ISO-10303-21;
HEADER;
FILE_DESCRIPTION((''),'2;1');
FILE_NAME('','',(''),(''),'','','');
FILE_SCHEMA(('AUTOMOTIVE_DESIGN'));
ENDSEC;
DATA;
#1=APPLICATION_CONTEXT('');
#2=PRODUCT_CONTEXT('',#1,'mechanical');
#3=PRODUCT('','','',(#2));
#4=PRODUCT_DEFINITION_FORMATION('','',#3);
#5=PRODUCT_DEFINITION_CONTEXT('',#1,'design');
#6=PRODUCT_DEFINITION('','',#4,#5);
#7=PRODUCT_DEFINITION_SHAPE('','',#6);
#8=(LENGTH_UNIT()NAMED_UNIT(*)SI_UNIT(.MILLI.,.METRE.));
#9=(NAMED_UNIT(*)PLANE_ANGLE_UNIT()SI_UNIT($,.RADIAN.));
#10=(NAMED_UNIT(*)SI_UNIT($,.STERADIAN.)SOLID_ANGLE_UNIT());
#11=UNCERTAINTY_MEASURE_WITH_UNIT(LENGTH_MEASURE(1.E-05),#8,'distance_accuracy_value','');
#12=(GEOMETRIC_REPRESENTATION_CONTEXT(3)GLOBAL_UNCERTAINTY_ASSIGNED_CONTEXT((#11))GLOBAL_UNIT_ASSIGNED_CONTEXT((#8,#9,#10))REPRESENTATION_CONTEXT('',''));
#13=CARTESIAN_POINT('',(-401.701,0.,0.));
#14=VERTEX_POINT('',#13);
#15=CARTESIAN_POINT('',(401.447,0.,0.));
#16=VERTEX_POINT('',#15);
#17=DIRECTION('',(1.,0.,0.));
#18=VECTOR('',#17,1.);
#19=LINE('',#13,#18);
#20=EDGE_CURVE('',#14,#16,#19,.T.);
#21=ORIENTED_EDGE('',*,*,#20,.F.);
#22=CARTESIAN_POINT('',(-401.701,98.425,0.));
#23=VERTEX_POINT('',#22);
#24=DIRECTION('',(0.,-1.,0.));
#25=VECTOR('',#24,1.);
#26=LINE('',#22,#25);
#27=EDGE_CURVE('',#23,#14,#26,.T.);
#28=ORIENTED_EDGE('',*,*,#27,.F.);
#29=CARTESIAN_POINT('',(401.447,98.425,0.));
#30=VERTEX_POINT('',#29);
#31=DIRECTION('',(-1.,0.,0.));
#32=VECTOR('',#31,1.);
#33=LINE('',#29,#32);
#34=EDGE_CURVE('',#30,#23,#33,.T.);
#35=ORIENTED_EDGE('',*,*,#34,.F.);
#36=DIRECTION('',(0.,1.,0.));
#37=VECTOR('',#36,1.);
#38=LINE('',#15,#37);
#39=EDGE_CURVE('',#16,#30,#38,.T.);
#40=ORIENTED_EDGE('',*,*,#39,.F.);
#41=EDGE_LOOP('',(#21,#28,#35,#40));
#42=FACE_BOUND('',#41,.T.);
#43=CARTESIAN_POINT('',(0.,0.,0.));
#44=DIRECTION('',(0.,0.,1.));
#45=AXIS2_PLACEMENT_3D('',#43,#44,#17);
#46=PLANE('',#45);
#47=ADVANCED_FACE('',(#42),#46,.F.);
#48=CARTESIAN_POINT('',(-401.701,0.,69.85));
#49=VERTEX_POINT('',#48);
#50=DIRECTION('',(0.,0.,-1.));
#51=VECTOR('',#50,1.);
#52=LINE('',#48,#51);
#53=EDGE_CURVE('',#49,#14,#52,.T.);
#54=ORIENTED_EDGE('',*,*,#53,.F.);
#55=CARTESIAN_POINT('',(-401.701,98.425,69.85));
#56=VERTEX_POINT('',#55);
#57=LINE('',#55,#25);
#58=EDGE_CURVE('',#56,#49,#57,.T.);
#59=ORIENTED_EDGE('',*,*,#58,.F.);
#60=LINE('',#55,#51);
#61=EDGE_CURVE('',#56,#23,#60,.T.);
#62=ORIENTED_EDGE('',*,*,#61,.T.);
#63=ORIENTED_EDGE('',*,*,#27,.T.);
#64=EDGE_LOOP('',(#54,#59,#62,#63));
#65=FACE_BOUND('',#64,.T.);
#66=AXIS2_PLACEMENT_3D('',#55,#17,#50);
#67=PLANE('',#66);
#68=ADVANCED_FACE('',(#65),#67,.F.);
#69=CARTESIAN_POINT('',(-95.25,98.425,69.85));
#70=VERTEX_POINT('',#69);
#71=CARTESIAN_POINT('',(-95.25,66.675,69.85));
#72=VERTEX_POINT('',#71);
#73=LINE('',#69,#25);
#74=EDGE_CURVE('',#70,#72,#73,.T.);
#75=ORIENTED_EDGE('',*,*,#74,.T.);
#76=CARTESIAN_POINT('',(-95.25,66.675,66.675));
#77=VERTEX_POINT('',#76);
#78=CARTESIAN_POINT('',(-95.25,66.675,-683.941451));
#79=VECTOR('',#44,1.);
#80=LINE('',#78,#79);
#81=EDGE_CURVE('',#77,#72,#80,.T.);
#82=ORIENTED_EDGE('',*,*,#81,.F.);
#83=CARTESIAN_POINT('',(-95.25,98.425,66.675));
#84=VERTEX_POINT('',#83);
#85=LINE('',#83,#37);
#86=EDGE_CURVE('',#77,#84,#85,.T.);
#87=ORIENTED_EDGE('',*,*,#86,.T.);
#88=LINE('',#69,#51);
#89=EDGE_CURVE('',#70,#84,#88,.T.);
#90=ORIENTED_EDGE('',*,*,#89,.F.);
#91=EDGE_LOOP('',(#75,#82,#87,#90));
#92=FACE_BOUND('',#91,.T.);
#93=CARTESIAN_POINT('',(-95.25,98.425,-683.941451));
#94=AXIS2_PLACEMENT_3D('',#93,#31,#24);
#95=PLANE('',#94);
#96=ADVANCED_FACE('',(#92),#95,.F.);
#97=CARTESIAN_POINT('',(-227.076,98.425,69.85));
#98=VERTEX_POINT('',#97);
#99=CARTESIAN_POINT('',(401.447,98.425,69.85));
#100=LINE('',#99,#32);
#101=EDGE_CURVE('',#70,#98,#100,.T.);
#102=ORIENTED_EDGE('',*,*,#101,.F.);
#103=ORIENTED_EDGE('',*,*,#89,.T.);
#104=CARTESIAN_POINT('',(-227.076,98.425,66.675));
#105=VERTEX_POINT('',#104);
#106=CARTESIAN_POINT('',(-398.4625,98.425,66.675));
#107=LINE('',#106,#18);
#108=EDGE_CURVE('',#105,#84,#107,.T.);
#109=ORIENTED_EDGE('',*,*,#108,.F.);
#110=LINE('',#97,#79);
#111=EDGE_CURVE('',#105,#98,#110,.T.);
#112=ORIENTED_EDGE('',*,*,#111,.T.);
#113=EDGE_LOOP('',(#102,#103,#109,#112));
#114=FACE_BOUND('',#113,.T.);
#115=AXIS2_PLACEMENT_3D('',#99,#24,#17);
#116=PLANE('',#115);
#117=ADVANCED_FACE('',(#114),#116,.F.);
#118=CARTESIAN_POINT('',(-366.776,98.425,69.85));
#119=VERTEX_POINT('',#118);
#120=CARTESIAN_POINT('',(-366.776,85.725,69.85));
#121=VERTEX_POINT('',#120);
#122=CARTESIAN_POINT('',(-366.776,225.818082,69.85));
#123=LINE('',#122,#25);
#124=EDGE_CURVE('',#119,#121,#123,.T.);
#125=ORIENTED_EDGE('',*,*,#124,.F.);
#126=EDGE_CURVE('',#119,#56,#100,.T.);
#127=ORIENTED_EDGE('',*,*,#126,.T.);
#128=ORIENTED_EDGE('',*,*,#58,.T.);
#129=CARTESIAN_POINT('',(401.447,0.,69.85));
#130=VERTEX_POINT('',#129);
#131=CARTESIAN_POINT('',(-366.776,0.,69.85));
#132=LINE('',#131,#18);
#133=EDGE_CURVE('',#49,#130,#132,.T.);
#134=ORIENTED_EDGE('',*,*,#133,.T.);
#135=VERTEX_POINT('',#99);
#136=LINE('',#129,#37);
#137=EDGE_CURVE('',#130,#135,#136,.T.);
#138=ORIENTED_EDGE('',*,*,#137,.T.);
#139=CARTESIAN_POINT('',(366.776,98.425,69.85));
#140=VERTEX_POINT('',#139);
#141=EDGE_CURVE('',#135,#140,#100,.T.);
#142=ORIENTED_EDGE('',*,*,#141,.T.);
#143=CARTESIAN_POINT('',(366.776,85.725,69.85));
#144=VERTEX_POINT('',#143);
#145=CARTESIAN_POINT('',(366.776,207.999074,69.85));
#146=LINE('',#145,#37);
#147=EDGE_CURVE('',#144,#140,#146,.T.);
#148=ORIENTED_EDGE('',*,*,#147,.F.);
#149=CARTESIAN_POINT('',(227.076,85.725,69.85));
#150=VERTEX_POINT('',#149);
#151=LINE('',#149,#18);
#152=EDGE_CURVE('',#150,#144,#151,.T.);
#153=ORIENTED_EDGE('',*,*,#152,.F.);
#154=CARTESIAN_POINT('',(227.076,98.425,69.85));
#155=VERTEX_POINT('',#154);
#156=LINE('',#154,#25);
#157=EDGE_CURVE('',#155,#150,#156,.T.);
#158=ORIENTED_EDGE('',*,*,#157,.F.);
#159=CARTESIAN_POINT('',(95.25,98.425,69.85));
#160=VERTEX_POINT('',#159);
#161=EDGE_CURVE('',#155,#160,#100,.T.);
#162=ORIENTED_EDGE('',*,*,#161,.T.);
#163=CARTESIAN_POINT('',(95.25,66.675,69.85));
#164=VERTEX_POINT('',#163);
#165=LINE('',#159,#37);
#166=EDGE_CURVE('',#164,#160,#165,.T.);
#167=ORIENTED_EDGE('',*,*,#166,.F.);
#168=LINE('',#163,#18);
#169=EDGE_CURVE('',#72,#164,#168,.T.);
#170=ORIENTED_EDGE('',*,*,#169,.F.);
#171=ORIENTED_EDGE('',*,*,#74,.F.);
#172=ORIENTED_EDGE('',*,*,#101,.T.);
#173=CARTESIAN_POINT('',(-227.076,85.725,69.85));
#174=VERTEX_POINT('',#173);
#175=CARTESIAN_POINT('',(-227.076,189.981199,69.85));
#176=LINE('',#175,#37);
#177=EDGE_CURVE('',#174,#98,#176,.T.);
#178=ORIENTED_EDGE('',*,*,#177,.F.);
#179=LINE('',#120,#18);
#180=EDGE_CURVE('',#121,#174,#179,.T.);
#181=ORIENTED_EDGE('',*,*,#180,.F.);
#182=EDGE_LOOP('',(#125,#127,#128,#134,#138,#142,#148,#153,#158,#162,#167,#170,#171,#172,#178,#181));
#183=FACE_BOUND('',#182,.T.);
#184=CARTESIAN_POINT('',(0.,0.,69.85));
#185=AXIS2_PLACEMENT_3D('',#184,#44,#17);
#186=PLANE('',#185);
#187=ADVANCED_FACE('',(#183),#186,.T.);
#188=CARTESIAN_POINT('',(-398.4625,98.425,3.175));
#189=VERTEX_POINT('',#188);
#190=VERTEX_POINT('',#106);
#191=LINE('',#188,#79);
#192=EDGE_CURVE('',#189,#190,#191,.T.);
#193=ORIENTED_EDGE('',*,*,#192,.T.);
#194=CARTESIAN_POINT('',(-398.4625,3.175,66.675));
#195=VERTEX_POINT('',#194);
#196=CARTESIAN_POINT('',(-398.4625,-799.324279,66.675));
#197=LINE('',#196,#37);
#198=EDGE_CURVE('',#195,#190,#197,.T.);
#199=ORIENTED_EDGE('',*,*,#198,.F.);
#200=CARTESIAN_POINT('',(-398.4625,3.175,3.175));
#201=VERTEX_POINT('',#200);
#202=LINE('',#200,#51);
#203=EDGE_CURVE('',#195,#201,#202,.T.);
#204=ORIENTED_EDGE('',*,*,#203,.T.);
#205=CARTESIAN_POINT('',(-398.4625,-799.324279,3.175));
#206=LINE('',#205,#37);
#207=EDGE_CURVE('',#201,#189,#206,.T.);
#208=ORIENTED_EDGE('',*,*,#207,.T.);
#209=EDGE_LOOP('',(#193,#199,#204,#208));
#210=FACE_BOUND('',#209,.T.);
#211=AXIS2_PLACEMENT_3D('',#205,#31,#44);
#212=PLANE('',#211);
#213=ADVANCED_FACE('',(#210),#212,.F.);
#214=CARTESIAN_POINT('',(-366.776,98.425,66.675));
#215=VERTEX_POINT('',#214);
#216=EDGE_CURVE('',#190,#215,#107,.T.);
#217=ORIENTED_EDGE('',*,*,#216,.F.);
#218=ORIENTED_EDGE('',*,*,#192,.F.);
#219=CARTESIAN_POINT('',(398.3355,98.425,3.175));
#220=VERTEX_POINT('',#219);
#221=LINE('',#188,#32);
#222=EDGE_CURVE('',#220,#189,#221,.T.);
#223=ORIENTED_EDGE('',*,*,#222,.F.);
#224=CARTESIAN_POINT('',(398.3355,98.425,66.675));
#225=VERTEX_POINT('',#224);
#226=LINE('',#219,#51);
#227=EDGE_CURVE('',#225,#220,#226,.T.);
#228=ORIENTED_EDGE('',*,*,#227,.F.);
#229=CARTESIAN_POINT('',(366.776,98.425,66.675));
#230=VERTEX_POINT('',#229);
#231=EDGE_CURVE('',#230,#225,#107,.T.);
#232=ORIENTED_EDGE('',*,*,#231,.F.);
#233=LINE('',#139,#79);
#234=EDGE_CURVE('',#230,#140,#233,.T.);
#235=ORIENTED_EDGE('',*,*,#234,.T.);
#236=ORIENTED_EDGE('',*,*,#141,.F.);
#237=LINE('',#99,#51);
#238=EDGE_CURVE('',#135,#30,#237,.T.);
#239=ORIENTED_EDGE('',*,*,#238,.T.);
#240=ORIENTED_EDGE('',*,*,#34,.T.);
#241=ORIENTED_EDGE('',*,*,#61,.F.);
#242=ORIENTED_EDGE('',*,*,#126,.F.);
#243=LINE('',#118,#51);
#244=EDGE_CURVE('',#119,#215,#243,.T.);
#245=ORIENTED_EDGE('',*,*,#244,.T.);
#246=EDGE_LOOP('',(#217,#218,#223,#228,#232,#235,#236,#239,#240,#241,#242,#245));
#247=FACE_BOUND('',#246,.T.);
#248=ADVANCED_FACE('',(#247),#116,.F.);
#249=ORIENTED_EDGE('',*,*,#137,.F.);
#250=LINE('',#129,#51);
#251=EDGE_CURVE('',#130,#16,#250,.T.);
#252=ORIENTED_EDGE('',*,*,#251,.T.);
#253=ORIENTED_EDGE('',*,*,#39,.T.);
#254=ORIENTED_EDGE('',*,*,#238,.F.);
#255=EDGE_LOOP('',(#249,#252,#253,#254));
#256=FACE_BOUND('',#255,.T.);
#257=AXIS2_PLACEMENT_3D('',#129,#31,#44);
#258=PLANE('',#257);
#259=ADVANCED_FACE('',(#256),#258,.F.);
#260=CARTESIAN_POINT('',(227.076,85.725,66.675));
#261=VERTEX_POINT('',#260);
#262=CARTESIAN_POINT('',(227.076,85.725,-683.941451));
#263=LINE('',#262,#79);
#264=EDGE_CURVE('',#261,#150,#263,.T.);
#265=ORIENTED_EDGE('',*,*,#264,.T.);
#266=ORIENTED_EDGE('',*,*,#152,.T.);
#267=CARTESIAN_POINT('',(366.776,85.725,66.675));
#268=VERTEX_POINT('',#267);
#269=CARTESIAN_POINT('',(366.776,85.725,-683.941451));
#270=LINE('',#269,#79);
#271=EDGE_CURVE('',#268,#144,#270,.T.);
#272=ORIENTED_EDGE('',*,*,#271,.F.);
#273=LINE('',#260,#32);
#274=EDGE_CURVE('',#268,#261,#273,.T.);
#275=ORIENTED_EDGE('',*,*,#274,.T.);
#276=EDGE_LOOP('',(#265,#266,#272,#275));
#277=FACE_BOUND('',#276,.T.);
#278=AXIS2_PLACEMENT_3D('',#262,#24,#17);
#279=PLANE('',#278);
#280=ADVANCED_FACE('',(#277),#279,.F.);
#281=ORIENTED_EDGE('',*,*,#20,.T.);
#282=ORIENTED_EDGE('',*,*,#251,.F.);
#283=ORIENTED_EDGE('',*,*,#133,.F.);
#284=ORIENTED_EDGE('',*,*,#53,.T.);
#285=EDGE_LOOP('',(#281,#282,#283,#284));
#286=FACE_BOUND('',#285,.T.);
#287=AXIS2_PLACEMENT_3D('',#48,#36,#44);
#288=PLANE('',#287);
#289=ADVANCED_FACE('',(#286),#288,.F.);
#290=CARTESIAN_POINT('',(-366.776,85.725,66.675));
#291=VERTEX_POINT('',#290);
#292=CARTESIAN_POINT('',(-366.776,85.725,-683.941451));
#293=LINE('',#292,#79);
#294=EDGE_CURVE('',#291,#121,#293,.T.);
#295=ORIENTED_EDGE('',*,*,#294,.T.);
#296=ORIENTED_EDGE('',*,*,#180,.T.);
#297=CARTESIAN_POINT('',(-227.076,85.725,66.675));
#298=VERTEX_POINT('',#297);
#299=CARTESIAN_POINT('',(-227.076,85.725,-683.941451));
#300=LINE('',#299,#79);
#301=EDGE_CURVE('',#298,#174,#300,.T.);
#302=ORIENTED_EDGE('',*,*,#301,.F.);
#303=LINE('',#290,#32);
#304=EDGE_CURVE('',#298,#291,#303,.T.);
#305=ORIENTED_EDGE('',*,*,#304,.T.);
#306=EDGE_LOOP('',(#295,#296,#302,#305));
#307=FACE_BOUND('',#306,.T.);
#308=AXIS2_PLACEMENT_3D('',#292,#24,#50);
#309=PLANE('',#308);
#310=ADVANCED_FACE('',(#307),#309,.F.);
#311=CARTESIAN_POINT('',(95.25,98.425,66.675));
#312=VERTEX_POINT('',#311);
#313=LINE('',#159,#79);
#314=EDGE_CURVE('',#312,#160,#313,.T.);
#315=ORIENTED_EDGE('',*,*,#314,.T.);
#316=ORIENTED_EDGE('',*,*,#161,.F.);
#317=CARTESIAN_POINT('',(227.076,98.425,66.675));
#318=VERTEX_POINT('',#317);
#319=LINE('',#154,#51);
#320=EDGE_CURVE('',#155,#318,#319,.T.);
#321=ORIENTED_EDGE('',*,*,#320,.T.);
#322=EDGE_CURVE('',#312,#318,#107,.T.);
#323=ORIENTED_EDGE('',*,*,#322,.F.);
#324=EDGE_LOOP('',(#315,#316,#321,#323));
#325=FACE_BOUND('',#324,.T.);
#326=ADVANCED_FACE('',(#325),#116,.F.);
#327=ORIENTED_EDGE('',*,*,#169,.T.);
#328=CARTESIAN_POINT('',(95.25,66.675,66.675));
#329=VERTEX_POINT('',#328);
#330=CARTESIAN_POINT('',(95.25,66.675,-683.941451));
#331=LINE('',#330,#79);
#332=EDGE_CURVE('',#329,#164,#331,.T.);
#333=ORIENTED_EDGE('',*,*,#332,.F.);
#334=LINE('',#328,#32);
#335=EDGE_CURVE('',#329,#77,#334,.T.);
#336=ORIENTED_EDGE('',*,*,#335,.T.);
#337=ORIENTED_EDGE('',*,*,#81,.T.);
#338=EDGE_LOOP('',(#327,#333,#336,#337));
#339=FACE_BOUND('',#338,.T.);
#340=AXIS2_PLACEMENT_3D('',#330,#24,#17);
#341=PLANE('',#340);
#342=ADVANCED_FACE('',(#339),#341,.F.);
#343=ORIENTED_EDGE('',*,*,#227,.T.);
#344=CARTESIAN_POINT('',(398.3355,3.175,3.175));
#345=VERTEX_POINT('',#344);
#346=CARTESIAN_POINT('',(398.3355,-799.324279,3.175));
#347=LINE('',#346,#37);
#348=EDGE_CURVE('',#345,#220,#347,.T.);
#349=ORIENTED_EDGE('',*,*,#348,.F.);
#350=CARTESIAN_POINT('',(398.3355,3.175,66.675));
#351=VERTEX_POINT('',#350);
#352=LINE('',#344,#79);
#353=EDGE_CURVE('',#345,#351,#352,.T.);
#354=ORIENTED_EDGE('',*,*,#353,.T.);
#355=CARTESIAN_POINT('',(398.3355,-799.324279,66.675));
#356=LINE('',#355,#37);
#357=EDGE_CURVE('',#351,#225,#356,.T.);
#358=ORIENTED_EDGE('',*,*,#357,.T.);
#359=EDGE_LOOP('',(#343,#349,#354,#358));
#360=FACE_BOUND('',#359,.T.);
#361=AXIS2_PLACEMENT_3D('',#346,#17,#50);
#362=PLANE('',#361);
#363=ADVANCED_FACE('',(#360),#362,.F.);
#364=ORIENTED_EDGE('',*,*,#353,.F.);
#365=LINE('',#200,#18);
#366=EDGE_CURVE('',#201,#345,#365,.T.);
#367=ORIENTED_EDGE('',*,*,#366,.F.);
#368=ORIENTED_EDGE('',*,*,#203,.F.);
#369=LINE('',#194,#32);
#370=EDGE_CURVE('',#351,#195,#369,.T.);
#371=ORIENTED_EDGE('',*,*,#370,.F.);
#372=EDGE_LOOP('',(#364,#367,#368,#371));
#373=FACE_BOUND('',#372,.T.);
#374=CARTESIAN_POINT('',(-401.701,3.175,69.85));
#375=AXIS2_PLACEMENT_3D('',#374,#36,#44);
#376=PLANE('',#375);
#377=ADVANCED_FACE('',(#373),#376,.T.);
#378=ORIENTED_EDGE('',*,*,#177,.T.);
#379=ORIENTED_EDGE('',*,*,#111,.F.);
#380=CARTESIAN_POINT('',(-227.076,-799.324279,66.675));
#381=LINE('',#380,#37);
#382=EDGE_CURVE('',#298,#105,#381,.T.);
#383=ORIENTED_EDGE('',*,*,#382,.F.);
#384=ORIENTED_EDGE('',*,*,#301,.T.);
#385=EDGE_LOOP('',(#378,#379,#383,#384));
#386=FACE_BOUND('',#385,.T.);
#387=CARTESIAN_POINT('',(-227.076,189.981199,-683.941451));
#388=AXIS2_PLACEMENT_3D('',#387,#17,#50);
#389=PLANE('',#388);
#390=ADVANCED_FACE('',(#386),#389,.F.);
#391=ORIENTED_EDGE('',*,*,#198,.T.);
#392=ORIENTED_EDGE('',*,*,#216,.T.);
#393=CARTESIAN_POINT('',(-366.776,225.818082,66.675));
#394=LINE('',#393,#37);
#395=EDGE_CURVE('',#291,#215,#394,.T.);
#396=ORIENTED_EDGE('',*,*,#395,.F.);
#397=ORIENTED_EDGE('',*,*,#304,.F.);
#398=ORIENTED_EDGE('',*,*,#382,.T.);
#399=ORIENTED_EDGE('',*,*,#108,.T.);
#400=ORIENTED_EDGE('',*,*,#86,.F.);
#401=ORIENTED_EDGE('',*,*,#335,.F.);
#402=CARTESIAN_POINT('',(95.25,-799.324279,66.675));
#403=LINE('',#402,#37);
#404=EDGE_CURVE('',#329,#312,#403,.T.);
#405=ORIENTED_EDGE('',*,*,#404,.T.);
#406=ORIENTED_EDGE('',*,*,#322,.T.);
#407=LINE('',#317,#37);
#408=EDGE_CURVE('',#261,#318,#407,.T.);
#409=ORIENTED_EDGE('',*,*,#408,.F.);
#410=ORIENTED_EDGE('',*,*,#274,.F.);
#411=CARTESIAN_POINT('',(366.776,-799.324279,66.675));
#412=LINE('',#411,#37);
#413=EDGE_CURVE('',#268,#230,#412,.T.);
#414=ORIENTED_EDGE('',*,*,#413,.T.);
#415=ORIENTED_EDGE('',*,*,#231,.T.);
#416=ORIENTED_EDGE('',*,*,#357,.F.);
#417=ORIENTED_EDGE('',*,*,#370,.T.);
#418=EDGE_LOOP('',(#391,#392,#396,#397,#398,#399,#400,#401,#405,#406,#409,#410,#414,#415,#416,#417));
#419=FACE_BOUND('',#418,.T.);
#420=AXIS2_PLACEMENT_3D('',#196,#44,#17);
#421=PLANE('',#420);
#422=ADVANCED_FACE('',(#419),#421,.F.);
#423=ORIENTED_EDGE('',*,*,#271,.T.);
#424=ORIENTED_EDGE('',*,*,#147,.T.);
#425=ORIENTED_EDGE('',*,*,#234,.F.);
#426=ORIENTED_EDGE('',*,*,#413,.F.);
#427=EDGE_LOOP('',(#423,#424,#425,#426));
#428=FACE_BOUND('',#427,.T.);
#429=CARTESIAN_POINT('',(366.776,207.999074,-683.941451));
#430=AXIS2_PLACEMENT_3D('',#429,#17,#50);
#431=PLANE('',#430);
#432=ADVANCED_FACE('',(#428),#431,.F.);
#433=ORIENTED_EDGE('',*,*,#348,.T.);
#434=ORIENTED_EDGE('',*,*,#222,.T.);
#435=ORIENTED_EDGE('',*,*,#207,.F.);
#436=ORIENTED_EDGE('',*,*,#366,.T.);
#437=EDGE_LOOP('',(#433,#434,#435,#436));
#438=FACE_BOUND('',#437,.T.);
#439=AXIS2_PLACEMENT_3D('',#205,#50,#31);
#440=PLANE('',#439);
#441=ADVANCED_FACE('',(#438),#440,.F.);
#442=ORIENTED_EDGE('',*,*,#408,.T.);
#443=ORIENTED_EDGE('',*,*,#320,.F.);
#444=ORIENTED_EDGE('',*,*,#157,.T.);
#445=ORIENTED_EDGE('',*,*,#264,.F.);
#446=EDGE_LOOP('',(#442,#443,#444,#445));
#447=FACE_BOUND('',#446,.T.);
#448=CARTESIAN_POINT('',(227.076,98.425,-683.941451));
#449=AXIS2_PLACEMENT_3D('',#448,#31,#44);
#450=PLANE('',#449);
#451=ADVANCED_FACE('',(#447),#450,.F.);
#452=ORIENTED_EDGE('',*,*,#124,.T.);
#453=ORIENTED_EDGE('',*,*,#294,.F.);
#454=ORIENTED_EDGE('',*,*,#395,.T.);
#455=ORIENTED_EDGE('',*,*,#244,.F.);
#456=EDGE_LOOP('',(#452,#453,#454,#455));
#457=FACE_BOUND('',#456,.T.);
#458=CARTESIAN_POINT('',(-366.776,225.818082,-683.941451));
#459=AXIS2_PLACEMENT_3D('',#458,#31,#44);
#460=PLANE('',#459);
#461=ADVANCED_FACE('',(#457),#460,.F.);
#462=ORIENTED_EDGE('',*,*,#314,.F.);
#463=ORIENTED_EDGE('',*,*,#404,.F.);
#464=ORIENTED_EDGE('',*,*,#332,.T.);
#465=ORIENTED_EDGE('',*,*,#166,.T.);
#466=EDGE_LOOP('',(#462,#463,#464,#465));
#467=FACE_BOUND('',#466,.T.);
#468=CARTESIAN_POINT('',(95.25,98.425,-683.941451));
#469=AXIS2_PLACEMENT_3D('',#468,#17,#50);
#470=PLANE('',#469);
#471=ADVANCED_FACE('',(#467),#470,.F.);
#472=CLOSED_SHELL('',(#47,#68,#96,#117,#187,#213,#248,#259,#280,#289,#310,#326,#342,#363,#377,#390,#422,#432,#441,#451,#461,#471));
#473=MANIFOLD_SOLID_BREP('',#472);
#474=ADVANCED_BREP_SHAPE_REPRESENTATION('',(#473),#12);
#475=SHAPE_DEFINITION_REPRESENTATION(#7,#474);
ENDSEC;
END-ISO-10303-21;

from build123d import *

# Parameters (mm, degrees)
BOSS_EXTRUDE1_DEPTH = 69.85
SKETCH3_W           = 796.798
SKETCH3_H           = 63.5
CUT_EXTRUDE1_DEPTH  = 95.25
CUT_EXTRUDE3_DEPTH  = 3.175


with BuildPart() as part:
    # Sketch2 → Boss-Extrude1 (new body)
    with BuildSketch(Plane.XY):
        Polygon((90.424, 0), (357.124, 0), (401.447, 0), (401.447, 98.425), (-401.701, 98.425), (-401.701, 0), (-366.776, 0), (-227.076, 0), (-100.076, 0), align=None)
    extrude(amount=BOSS_EXTRUDE1_DEPTH)

    # Sketch3 → Cut-Extrude1 (cut)
    with BuildSketch(Plane(origin=(0, 98.425, 0), x_dir=(1, 0, 0), z_dir=(0, 1, 0))):
        with Locations((-0.0635, -34.925)):
            Rectangle(SKETCH3_W, SKETCH3_H)
    extrude(amount=-CUT_EXTRUDE1_DEPTH, mode=Mode.SUBTRACT)

    # Sketch4 → Cut-Extrude3 (cut)
    with BuildSketch(Plane.XY.offset(69.85)):
        Polygon((-366.776, 98.425), (-366.776, 85.725), (-227.076, 85.725), (-227.076, 189.981198682), (-227.076, 207.999074197), (-95.25, 207.999074197), (-95.25, 98.425), (-95.25, 66.675), (95.25, 66.675), (95.25, 98.425), (95.25, 207.999074197), (227.076, 207.999074197), (227.076, 98.425), (227.076, 85.725), (366.776, 85.725), (366.776, 98.425), (366.776, 207.999074197), (366.776, 225.818081793), (-366.776, 225.818081793), (-366.776, 207.999074197), align=None)
    extrude(amount=-CUT_EXTRUDE3_DEPTH, mode=Mode.SUBTRACT)


solid = part.part
